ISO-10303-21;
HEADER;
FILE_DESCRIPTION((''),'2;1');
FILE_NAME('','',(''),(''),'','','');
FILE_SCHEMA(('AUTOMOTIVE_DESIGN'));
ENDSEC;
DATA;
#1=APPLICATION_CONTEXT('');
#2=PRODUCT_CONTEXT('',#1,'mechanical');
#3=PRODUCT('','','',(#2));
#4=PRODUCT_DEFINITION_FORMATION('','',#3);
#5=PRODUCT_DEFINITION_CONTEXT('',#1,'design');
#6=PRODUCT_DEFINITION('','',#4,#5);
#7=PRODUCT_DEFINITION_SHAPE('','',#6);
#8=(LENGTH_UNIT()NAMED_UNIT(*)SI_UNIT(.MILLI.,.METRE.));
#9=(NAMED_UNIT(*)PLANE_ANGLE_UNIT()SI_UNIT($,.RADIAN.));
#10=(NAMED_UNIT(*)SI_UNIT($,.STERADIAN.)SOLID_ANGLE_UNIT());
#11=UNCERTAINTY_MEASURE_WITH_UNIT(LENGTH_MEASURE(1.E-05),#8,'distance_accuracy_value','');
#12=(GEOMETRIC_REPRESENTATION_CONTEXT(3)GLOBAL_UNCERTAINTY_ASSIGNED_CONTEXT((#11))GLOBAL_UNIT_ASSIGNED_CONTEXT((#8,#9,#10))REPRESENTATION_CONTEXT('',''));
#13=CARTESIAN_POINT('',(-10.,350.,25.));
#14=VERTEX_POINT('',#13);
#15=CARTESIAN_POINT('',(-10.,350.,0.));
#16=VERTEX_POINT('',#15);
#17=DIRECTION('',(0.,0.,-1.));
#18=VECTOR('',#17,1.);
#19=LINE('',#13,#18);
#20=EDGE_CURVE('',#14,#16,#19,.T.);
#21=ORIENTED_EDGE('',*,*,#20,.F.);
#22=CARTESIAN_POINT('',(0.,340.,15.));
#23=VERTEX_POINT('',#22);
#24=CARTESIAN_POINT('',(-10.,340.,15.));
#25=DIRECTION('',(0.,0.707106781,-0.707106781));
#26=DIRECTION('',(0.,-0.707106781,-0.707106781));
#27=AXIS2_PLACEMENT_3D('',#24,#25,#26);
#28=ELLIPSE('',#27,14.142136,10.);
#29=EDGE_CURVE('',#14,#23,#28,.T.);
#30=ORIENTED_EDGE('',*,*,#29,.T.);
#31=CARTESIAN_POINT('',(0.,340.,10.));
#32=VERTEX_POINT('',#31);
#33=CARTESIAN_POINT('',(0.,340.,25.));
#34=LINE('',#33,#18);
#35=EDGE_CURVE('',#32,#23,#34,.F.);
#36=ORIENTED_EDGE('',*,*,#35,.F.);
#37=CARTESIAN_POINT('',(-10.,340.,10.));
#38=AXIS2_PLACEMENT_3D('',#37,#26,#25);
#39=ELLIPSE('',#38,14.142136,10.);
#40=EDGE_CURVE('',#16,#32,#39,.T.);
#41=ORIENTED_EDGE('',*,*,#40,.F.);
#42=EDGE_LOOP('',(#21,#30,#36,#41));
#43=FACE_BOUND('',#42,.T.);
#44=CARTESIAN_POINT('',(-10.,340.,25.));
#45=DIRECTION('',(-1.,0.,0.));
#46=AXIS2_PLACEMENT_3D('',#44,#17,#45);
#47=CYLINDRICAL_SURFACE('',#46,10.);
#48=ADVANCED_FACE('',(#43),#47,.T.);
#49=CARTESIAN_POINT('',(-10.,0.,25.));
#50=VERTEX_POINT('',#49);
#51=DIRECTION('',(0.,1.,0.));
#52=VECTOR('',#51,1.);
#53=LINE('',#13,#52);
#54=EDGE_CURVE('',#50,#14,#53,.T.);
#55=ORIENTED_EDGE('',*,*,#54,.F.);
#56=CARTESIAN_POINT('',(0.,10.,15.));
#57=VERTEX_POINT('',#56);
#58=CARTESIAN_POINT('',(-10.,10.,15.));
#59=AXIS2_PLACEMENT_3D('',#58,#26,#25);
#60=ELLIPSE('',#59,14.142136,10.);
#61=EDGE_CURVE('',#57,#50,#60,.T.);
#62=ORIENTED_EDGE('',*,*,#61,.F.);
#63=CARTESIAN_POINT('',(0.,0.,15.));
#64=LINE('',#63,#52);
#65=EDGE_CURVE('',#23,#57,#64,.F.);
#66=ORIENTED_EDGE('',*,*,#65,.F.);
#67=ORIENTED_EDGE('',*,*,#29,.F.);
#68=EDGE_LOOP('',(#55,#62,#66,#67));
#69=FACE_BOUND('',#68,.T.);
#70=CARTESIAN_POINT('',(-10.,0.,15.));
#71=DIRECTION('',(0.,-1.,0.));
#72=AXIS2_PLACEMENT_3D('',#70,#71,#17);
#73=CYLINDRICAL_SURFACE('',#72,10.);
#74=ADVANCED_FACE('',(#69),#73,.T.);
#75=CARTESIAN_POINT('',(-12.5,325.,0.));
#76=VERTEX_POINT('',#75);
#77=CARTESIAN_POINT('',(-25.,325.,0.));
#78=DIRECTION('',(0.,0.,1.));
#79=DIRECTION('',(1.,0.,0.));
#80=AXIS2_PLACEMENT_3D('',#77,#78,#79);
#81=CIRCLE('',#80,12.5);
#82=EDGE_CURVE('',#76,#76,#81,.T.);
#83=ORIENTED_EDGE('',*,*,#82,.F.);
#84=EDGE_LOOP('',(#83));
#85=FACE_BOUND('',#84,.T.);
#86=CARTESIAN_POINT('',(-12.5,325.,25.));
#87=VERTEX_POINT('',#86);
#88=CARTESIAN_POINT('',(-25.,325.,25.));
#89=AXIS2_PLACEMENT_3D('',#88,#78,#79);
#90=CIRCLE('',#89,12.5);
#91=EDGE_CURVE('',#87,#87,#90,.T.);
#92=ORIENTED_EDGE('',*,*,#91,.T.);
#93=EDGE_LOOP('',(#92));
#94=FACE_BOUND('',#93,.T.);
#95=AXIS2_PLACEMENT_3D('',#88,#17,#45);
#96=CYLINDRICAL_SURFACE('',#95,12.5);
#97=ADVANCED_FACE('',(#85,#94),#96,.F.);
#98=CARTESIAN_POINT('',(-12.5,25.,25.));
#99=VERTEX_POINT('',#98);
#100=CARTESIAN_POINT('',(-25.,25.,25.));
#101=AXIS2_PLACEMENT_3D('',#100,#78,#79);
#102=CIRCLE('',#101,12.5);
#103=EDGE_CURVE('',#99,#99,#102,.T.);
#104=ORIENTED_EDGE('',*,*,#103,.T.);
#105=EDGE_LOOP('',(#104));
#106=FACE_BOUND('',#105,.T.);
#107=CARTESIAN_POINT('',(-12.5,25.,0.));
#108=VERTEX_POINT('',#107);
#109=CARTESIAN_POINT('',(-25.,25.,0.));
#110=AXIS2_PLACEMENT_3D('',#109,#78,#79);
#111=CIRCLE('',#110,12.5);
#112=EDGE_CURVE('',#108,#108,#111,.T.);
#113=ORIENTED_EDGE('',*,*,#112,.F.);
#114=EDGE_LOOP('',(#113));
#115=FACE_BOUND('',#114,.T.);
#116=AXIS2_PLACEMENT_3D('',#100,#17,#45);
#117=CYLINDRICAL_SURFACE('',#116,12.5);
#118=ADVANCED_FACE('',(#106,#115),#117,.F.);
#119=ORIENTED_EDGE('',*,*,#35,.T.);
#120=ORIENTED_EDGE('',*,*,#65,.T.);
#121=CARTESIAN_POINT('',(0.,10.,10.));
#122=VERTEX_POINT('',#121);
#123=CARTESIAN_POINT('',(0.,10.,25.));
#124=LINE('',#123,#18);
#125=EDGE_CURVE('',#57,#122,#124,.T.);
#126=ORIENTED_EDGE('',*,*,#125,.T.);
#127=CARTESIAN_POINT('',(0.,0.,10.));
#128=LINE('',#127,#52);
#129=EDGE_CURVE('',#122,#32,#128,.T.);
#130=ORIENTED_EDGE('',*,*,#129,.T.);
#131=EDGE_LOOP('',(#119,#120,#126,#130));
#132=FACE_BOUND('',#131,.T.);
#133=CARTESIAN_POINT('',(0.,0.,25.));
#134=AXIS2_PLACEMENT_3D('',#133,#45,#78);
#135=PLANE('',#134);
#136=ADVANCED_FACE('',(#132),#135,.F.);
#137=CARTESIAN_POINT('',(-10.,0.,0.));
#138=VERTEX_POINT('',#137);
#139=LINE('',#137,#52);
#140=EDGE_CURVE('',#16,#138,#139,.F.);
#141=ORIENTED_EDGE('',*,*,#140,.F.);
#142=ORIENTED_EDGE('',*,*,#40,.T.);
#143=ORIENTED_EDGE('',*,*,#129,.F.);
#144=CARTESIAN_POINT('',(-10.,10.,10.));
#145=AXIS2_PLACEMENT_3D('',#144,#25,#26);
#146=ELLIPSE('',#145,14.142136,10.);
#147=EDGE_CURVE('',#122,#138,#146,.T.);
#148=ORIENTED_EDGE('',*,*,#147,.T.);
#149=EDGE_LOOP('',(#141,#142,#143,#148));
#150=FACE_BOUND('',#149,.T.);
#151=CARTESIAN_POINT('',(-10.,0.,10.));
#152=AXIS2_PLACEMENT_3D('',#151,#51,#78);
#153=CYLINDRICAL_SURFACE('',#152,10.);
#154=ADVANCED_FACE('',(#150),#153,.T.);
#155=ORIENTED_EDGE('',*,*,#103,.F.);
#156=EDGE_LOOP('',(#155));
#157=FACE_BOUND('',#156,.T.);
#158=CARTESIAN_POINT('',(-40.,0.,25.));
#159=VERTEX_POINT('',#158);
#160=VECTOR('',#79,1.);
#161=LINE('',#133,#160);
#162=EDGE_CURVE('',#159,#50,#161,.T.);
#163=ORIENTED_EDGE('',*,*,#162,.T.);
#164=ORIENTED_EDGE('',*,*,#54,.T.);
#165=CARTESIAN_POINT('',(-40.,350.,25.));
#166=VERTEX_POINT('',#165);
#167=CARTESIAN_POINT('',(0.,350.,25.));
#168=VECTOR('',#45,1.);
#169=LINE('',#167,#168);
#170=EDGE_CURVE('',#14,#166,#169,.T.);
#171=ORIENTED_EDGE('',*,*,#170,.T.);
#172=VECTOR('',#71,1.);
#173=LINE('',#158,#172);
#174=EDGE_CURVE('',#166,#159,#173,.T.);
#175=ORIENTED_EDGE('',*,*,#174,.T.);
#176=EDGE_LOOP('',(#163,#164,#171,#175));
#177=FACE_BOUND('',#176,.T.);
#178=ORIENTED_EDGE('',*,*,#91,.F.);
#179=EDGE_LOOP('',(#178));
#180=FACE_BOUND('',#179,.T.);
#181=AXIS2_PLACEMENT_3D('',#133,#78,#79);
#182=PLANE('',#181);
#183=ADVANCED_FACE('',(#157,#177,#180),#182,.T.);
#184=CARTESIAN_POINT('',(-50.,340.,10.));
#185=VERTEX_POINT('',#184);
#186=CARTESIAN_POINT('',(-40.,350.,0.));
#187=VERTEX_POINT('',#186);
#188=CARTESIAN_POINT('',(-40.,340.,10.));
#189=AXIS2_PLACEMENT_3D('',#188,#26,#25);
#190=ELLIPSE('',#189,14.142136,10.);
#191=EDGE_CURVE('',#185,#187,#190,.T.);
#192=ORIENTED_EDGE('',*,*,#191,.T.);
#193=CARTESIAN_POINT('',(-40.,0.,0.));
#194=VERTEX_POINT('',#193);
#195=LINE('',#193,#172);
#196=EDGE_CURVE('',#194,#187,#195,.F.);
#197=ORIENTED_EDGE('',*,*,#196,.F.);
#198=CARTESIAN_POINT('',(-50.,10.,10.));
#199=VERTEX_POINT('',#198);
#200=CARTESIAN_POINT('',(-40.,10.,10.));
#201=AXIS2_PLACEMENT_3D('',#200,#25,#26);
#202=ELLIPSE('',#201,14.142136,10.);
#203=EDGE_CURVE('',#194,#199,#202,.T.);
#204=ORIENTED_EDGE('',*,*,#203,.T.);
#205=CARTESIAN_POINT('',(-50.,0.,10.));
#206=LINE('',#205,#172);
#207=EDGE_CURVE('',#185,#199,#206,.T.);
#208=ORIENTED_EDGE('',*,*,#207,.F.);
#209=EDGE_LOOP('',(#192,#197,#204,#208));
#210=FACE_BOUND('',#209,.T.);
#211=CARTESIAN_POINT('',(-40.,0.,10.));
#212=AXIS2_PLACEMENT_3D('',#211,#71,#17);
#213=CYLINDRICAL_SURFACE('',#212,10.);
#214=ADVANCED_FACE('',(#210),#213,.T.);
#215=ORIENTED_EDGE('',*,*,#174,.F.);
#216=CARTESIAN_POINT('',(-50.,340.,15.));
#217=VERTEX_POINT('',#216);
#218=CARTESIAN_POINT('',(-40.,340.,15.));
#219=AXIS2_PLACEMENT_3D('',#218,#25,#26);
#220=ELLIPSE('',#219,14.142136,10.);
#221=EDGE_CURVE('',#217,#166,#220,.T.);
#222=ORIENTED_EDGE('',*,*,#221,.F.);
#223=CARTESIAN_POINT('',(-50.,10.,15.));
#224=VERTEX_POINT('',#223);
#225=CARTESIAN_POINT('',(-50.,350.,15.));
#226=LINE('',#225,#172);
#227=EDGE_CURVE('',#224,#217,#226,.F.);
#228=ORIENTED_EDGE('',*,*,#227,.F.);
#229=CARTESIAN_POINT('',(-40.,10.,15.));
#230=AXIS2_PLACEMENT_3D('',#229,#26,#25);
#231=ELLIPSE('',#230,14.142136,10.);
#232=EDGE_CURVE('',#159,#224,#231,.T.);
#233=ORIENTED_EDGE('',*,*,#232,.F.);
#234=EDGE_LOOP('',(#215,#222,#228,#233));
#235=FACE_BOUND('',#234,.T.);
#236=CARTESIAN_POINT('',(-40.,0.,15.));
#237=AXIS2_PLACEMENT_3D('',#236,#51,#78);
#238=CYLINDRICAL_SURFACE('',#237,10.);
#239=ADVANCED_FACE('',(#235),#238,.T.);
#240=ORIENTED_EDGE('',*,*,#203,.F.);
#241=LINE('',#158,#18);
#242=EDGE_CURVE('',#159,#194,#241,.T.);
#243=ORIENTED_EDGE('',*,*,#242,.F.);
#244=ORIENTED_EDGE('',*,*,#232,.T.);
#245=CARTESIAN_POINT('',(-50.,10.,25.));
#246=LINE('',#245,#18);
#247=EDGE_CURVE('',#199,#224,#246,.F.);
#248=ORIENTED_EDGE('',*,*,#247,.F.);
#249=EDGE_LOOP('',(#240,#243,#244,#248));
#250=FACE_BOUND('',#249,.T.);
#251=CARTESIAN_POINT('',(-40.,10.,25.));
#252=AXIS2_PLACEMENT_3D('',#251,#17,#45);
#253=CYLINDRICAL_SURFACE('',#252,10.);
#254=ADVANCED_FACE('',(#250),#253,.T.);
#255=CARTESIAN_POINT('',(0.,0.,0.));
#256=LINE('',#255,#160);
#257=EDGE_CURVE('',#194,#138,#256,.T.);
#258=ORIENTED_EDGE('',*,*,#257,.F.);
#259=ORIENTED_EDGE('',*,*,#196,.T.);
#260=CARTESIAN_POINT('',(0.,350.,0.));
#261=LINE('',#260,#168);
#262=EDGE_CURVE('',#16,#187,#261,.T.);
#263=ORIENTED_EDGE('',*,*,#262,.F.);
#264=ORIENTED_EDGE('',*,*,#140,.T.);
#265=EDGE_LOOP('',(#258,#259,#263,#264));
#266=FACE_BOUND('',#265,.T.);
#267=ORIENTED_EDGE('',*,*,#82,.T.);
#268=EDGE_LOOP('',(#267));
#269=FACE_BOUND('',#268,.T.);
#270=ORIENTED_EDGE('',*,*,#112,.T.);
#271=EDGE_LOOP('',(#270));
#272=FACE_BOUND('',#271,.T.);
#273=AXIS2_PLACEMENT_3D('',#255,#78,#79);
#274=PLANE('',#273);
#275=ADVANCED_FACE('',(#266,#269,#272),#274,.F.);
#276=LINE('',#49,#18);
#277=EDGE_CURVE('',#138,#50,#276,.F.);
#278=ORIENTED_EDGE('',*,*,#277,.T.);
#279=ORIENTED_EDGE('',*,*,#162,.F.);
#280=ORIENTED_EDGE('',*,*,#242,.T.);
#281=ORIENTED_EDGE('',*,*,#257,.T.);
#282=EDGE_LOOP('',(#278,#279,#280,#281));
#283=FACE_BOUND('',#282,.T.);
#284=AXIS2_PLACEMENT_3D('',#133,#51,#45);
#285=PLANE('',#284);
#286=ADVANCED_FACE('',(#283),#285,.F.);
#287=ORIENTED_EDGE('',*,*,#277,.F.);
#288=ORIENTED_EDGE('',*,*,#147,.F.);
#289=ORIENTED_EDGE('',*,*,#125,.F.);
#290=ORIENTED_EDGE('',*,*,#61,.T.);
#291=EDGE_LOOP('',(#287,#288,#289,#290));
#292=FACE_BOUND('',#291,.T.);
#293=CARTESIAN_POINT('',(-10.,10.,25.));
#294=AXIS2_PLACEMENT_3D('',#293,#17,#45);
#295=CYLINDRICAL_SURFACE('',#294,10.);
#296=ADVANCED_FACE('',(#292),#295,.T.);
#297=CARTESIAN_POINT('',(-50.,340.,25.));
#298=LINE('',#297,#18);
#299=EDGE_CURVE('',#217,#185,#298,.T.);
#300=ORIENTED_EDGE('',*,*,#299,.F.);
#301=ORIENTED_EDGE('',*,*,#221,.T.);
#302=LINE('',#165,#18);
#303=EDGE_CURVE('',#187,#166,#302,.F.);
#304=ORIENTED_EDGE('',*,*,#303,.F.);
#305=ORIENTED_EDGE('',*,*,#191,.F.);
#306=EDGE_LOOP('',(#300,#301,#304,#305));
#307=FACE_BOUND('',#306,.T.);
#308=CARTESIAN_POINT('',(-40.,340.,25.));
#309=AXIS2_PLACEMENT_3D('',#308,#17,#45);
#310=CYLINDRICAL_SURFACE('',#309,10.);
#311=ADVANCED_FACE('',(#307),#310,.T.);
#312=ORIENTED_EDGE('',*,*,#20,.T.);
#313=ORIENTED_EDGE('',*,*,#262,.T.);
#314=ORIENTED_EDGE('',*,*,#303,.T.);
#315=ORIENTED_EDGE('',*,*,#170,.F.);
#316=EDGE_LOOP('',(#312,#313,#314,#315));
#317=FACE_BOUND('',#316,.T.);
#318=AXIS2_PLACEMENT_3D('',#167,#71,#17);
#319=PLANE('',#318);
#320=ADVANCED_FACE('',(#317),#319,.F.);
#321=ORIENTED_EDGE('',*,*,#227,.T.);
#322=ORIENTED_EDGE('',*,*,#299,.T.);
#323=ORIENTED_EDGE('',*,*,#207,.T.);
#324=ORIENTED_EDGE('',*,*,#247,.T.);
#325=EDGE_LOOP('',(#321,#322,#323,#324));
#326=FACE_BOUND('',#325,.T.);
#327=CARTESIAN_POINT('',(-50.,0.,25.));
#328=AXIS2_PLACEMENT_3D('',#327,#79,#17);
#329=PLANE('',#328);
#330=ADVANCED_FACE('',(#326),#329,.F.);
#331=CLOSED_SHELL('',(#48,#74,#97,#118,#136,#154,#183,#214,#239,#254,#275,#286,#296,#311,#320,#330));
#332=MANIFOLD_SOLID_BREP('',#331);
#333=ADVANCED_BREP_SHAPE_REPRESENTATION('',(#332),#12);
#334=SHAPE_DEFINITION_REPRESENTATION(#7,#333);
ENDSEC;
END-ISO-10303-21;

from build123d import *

# Parameters (mm, degrees)
SKETCH1_W           = 50
SKETCH1_H           = 350
SKETCH1_R           = 12.5
BOSS_EXTRUDE1_DEPTH = 25
FILLET1_R           = 10


with BuildPart() as part:
    # Sketch1 → Boss-Extrude1 (new body)
    with BuildSketch(Plane.XY):
        with Locations((-25, 175)):
            Rectangle(SKETCH1_W, SKETCH1_H)
        with Locations((-25, 25)):
            Circle(SKETCH1_R, mode=Mode.SUBTRACT)
        with Locations((-25, 325)):
            Circle(SKETCH1_R, mode=Mode.SUBTRACT)
    extrude(amount=BOSS_EXTRUDE1_DEPTH)

    # Fillet1
    fillet1_edges = [part.edges().sort_by_distance(p)[0] for p in [
        (-50, 175, 25),
        (0, 175, 25),
        (-50, 175, 0),
        (0, 175, 0),
        (0, 0, 12.5),
        (-50, 0, 12.5),
        (-50, 350, 12.5),
        (0, 350, 12.5),
    ]]
    fillet(fillet1_edges, radius=FILLET1_R)


solid = part.part
